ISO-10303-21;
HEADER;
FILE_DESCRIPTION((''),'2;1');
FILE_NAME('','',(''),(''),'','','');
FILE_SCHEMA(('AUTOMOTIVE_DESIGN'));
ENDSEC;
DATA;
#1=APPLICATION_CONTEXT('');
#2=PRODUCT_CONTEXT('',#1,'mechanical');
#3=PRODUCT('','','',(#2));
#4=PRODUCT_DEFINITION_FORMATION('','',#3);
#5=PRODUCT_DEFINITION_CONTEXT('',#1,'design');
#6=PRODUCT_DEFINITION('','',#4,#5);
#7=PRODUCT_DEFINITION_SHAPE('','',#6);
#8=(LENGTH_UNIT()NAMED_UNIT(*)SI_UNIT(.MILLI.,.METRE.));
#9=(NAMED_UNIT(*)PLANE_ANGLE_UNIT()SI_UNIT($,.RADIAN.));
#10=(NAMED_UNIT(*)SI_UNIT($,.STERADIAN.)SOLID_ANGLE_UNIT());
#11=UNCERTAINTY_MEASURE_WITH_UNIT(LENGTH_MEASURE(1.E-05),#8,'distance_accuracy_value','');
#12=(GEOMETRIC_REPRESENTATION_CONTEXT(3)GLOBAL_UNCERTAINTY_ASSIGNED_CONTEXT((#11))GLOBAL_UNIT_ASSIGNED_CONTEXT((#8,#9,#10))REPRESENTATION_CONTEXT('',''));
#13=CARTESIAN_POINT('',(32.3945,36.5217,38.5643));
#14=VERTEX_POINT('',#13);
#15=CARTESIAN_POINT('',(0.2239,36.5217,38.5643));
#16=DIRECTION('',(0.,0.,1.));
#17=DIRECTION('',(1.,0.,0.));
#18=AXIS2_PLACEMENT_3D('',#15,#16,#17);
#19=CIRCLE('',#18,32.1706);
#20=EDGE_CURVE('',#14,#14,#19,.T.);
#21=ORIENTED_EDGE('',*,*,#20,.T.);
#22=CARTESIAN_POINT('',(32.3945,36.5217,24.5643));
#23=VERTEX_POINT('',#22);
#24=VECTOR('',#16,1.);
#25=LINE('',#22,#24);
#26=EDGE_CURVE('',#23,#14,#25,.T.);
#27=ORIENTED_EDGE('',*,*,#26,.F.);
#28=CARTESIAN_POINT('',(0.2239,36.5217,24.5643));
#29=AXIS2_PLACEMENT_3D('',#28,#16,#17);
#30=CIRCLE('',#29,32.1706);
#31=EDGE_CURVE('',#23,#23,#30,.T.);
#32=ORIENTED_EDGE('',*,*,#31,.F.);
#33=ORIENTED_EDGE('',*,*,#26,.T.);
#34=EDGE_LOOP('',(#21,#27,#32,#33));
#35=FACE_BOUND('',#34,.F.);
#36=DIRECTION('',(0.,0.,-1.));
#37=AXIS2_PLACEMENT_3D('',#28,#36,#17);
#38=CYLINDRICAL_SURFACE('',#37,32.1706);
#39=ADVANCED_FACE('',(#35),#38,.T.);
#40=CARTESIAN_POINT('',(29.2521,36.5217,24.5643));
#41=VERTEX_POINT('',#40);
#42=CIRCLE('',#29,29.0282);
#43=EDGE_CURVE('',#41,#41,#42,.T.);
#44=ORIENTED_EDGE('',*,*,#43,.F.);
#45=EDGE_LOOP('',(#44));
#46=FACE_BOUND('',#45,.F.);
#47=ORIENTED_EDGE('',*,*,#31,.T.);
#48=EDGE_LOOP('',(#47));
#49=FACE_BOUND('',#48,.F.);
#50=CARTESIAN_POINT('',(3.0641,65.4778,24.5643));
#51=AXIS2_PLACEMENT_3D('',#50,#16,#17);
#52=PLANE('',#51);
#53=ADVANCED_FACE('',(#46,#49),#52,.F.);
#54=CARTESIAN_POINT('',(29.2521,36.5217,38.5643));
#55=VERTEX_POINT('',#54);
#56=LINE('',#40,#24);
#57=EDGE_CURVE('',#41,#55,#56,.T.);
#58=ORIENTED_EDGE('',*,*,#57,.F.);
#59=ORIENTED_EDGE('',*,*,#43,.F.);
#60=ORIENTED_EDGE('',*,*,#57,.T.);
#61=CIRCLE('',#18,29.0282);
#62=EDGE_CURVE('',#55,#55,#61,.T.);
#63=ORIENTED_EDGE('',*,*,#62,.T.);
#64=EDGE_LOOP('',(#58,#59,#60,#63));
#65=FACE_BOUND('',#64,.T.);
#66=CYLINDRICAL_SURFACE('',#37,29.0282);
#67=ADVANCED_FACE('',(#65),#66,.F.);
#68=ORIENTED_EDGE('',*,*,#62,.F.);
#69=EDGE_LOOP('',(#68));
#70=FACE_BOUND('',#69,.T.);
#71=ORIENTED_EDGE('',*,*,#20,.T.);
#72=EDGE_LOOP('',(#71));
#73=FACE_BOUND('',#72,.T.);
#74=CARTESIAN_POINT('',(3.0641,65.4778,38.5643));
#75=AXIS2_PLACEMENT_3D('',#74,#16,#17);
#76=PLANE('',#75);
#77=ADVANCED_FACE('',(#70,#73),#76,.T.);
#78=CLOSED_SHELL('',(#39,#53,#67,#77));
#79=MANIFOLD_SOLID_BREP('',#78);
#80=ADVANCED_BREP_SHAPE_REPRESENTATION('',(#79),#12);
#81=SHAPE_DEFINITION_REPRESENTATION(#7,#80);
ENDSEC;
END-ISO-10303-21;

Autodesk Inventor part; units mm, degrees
ref_plane "YZ Plane" through (0, 0, 0) normal (1, 0, 0) x (0, 1, 0)
ref_plane "XZ Plane" through (0, 0, 0) normal (0, 1, 0) x (-1, 0, 0)
ref_plane "Plano de trabajo1" through (3.0641, 65.4778, 24.5643) normal (0, 0, 1) x (1, 0, 0)
sketch "Boceto4" plane through (3.0641, 65.4778, 24.5643) normal (0, 0, 1) x (1, 0, 0)
  circle A0 centre (-2.8402, -28.9561) radius 32.1706 projected
  circle A1 centre (-2.8402, -28.9561) radius 29.0282
  point P0 (-3.0641, -65.4778)
extrude "Extrusión2" add sketch "Boceto4" along normal blind 14
properties part number "top_"
